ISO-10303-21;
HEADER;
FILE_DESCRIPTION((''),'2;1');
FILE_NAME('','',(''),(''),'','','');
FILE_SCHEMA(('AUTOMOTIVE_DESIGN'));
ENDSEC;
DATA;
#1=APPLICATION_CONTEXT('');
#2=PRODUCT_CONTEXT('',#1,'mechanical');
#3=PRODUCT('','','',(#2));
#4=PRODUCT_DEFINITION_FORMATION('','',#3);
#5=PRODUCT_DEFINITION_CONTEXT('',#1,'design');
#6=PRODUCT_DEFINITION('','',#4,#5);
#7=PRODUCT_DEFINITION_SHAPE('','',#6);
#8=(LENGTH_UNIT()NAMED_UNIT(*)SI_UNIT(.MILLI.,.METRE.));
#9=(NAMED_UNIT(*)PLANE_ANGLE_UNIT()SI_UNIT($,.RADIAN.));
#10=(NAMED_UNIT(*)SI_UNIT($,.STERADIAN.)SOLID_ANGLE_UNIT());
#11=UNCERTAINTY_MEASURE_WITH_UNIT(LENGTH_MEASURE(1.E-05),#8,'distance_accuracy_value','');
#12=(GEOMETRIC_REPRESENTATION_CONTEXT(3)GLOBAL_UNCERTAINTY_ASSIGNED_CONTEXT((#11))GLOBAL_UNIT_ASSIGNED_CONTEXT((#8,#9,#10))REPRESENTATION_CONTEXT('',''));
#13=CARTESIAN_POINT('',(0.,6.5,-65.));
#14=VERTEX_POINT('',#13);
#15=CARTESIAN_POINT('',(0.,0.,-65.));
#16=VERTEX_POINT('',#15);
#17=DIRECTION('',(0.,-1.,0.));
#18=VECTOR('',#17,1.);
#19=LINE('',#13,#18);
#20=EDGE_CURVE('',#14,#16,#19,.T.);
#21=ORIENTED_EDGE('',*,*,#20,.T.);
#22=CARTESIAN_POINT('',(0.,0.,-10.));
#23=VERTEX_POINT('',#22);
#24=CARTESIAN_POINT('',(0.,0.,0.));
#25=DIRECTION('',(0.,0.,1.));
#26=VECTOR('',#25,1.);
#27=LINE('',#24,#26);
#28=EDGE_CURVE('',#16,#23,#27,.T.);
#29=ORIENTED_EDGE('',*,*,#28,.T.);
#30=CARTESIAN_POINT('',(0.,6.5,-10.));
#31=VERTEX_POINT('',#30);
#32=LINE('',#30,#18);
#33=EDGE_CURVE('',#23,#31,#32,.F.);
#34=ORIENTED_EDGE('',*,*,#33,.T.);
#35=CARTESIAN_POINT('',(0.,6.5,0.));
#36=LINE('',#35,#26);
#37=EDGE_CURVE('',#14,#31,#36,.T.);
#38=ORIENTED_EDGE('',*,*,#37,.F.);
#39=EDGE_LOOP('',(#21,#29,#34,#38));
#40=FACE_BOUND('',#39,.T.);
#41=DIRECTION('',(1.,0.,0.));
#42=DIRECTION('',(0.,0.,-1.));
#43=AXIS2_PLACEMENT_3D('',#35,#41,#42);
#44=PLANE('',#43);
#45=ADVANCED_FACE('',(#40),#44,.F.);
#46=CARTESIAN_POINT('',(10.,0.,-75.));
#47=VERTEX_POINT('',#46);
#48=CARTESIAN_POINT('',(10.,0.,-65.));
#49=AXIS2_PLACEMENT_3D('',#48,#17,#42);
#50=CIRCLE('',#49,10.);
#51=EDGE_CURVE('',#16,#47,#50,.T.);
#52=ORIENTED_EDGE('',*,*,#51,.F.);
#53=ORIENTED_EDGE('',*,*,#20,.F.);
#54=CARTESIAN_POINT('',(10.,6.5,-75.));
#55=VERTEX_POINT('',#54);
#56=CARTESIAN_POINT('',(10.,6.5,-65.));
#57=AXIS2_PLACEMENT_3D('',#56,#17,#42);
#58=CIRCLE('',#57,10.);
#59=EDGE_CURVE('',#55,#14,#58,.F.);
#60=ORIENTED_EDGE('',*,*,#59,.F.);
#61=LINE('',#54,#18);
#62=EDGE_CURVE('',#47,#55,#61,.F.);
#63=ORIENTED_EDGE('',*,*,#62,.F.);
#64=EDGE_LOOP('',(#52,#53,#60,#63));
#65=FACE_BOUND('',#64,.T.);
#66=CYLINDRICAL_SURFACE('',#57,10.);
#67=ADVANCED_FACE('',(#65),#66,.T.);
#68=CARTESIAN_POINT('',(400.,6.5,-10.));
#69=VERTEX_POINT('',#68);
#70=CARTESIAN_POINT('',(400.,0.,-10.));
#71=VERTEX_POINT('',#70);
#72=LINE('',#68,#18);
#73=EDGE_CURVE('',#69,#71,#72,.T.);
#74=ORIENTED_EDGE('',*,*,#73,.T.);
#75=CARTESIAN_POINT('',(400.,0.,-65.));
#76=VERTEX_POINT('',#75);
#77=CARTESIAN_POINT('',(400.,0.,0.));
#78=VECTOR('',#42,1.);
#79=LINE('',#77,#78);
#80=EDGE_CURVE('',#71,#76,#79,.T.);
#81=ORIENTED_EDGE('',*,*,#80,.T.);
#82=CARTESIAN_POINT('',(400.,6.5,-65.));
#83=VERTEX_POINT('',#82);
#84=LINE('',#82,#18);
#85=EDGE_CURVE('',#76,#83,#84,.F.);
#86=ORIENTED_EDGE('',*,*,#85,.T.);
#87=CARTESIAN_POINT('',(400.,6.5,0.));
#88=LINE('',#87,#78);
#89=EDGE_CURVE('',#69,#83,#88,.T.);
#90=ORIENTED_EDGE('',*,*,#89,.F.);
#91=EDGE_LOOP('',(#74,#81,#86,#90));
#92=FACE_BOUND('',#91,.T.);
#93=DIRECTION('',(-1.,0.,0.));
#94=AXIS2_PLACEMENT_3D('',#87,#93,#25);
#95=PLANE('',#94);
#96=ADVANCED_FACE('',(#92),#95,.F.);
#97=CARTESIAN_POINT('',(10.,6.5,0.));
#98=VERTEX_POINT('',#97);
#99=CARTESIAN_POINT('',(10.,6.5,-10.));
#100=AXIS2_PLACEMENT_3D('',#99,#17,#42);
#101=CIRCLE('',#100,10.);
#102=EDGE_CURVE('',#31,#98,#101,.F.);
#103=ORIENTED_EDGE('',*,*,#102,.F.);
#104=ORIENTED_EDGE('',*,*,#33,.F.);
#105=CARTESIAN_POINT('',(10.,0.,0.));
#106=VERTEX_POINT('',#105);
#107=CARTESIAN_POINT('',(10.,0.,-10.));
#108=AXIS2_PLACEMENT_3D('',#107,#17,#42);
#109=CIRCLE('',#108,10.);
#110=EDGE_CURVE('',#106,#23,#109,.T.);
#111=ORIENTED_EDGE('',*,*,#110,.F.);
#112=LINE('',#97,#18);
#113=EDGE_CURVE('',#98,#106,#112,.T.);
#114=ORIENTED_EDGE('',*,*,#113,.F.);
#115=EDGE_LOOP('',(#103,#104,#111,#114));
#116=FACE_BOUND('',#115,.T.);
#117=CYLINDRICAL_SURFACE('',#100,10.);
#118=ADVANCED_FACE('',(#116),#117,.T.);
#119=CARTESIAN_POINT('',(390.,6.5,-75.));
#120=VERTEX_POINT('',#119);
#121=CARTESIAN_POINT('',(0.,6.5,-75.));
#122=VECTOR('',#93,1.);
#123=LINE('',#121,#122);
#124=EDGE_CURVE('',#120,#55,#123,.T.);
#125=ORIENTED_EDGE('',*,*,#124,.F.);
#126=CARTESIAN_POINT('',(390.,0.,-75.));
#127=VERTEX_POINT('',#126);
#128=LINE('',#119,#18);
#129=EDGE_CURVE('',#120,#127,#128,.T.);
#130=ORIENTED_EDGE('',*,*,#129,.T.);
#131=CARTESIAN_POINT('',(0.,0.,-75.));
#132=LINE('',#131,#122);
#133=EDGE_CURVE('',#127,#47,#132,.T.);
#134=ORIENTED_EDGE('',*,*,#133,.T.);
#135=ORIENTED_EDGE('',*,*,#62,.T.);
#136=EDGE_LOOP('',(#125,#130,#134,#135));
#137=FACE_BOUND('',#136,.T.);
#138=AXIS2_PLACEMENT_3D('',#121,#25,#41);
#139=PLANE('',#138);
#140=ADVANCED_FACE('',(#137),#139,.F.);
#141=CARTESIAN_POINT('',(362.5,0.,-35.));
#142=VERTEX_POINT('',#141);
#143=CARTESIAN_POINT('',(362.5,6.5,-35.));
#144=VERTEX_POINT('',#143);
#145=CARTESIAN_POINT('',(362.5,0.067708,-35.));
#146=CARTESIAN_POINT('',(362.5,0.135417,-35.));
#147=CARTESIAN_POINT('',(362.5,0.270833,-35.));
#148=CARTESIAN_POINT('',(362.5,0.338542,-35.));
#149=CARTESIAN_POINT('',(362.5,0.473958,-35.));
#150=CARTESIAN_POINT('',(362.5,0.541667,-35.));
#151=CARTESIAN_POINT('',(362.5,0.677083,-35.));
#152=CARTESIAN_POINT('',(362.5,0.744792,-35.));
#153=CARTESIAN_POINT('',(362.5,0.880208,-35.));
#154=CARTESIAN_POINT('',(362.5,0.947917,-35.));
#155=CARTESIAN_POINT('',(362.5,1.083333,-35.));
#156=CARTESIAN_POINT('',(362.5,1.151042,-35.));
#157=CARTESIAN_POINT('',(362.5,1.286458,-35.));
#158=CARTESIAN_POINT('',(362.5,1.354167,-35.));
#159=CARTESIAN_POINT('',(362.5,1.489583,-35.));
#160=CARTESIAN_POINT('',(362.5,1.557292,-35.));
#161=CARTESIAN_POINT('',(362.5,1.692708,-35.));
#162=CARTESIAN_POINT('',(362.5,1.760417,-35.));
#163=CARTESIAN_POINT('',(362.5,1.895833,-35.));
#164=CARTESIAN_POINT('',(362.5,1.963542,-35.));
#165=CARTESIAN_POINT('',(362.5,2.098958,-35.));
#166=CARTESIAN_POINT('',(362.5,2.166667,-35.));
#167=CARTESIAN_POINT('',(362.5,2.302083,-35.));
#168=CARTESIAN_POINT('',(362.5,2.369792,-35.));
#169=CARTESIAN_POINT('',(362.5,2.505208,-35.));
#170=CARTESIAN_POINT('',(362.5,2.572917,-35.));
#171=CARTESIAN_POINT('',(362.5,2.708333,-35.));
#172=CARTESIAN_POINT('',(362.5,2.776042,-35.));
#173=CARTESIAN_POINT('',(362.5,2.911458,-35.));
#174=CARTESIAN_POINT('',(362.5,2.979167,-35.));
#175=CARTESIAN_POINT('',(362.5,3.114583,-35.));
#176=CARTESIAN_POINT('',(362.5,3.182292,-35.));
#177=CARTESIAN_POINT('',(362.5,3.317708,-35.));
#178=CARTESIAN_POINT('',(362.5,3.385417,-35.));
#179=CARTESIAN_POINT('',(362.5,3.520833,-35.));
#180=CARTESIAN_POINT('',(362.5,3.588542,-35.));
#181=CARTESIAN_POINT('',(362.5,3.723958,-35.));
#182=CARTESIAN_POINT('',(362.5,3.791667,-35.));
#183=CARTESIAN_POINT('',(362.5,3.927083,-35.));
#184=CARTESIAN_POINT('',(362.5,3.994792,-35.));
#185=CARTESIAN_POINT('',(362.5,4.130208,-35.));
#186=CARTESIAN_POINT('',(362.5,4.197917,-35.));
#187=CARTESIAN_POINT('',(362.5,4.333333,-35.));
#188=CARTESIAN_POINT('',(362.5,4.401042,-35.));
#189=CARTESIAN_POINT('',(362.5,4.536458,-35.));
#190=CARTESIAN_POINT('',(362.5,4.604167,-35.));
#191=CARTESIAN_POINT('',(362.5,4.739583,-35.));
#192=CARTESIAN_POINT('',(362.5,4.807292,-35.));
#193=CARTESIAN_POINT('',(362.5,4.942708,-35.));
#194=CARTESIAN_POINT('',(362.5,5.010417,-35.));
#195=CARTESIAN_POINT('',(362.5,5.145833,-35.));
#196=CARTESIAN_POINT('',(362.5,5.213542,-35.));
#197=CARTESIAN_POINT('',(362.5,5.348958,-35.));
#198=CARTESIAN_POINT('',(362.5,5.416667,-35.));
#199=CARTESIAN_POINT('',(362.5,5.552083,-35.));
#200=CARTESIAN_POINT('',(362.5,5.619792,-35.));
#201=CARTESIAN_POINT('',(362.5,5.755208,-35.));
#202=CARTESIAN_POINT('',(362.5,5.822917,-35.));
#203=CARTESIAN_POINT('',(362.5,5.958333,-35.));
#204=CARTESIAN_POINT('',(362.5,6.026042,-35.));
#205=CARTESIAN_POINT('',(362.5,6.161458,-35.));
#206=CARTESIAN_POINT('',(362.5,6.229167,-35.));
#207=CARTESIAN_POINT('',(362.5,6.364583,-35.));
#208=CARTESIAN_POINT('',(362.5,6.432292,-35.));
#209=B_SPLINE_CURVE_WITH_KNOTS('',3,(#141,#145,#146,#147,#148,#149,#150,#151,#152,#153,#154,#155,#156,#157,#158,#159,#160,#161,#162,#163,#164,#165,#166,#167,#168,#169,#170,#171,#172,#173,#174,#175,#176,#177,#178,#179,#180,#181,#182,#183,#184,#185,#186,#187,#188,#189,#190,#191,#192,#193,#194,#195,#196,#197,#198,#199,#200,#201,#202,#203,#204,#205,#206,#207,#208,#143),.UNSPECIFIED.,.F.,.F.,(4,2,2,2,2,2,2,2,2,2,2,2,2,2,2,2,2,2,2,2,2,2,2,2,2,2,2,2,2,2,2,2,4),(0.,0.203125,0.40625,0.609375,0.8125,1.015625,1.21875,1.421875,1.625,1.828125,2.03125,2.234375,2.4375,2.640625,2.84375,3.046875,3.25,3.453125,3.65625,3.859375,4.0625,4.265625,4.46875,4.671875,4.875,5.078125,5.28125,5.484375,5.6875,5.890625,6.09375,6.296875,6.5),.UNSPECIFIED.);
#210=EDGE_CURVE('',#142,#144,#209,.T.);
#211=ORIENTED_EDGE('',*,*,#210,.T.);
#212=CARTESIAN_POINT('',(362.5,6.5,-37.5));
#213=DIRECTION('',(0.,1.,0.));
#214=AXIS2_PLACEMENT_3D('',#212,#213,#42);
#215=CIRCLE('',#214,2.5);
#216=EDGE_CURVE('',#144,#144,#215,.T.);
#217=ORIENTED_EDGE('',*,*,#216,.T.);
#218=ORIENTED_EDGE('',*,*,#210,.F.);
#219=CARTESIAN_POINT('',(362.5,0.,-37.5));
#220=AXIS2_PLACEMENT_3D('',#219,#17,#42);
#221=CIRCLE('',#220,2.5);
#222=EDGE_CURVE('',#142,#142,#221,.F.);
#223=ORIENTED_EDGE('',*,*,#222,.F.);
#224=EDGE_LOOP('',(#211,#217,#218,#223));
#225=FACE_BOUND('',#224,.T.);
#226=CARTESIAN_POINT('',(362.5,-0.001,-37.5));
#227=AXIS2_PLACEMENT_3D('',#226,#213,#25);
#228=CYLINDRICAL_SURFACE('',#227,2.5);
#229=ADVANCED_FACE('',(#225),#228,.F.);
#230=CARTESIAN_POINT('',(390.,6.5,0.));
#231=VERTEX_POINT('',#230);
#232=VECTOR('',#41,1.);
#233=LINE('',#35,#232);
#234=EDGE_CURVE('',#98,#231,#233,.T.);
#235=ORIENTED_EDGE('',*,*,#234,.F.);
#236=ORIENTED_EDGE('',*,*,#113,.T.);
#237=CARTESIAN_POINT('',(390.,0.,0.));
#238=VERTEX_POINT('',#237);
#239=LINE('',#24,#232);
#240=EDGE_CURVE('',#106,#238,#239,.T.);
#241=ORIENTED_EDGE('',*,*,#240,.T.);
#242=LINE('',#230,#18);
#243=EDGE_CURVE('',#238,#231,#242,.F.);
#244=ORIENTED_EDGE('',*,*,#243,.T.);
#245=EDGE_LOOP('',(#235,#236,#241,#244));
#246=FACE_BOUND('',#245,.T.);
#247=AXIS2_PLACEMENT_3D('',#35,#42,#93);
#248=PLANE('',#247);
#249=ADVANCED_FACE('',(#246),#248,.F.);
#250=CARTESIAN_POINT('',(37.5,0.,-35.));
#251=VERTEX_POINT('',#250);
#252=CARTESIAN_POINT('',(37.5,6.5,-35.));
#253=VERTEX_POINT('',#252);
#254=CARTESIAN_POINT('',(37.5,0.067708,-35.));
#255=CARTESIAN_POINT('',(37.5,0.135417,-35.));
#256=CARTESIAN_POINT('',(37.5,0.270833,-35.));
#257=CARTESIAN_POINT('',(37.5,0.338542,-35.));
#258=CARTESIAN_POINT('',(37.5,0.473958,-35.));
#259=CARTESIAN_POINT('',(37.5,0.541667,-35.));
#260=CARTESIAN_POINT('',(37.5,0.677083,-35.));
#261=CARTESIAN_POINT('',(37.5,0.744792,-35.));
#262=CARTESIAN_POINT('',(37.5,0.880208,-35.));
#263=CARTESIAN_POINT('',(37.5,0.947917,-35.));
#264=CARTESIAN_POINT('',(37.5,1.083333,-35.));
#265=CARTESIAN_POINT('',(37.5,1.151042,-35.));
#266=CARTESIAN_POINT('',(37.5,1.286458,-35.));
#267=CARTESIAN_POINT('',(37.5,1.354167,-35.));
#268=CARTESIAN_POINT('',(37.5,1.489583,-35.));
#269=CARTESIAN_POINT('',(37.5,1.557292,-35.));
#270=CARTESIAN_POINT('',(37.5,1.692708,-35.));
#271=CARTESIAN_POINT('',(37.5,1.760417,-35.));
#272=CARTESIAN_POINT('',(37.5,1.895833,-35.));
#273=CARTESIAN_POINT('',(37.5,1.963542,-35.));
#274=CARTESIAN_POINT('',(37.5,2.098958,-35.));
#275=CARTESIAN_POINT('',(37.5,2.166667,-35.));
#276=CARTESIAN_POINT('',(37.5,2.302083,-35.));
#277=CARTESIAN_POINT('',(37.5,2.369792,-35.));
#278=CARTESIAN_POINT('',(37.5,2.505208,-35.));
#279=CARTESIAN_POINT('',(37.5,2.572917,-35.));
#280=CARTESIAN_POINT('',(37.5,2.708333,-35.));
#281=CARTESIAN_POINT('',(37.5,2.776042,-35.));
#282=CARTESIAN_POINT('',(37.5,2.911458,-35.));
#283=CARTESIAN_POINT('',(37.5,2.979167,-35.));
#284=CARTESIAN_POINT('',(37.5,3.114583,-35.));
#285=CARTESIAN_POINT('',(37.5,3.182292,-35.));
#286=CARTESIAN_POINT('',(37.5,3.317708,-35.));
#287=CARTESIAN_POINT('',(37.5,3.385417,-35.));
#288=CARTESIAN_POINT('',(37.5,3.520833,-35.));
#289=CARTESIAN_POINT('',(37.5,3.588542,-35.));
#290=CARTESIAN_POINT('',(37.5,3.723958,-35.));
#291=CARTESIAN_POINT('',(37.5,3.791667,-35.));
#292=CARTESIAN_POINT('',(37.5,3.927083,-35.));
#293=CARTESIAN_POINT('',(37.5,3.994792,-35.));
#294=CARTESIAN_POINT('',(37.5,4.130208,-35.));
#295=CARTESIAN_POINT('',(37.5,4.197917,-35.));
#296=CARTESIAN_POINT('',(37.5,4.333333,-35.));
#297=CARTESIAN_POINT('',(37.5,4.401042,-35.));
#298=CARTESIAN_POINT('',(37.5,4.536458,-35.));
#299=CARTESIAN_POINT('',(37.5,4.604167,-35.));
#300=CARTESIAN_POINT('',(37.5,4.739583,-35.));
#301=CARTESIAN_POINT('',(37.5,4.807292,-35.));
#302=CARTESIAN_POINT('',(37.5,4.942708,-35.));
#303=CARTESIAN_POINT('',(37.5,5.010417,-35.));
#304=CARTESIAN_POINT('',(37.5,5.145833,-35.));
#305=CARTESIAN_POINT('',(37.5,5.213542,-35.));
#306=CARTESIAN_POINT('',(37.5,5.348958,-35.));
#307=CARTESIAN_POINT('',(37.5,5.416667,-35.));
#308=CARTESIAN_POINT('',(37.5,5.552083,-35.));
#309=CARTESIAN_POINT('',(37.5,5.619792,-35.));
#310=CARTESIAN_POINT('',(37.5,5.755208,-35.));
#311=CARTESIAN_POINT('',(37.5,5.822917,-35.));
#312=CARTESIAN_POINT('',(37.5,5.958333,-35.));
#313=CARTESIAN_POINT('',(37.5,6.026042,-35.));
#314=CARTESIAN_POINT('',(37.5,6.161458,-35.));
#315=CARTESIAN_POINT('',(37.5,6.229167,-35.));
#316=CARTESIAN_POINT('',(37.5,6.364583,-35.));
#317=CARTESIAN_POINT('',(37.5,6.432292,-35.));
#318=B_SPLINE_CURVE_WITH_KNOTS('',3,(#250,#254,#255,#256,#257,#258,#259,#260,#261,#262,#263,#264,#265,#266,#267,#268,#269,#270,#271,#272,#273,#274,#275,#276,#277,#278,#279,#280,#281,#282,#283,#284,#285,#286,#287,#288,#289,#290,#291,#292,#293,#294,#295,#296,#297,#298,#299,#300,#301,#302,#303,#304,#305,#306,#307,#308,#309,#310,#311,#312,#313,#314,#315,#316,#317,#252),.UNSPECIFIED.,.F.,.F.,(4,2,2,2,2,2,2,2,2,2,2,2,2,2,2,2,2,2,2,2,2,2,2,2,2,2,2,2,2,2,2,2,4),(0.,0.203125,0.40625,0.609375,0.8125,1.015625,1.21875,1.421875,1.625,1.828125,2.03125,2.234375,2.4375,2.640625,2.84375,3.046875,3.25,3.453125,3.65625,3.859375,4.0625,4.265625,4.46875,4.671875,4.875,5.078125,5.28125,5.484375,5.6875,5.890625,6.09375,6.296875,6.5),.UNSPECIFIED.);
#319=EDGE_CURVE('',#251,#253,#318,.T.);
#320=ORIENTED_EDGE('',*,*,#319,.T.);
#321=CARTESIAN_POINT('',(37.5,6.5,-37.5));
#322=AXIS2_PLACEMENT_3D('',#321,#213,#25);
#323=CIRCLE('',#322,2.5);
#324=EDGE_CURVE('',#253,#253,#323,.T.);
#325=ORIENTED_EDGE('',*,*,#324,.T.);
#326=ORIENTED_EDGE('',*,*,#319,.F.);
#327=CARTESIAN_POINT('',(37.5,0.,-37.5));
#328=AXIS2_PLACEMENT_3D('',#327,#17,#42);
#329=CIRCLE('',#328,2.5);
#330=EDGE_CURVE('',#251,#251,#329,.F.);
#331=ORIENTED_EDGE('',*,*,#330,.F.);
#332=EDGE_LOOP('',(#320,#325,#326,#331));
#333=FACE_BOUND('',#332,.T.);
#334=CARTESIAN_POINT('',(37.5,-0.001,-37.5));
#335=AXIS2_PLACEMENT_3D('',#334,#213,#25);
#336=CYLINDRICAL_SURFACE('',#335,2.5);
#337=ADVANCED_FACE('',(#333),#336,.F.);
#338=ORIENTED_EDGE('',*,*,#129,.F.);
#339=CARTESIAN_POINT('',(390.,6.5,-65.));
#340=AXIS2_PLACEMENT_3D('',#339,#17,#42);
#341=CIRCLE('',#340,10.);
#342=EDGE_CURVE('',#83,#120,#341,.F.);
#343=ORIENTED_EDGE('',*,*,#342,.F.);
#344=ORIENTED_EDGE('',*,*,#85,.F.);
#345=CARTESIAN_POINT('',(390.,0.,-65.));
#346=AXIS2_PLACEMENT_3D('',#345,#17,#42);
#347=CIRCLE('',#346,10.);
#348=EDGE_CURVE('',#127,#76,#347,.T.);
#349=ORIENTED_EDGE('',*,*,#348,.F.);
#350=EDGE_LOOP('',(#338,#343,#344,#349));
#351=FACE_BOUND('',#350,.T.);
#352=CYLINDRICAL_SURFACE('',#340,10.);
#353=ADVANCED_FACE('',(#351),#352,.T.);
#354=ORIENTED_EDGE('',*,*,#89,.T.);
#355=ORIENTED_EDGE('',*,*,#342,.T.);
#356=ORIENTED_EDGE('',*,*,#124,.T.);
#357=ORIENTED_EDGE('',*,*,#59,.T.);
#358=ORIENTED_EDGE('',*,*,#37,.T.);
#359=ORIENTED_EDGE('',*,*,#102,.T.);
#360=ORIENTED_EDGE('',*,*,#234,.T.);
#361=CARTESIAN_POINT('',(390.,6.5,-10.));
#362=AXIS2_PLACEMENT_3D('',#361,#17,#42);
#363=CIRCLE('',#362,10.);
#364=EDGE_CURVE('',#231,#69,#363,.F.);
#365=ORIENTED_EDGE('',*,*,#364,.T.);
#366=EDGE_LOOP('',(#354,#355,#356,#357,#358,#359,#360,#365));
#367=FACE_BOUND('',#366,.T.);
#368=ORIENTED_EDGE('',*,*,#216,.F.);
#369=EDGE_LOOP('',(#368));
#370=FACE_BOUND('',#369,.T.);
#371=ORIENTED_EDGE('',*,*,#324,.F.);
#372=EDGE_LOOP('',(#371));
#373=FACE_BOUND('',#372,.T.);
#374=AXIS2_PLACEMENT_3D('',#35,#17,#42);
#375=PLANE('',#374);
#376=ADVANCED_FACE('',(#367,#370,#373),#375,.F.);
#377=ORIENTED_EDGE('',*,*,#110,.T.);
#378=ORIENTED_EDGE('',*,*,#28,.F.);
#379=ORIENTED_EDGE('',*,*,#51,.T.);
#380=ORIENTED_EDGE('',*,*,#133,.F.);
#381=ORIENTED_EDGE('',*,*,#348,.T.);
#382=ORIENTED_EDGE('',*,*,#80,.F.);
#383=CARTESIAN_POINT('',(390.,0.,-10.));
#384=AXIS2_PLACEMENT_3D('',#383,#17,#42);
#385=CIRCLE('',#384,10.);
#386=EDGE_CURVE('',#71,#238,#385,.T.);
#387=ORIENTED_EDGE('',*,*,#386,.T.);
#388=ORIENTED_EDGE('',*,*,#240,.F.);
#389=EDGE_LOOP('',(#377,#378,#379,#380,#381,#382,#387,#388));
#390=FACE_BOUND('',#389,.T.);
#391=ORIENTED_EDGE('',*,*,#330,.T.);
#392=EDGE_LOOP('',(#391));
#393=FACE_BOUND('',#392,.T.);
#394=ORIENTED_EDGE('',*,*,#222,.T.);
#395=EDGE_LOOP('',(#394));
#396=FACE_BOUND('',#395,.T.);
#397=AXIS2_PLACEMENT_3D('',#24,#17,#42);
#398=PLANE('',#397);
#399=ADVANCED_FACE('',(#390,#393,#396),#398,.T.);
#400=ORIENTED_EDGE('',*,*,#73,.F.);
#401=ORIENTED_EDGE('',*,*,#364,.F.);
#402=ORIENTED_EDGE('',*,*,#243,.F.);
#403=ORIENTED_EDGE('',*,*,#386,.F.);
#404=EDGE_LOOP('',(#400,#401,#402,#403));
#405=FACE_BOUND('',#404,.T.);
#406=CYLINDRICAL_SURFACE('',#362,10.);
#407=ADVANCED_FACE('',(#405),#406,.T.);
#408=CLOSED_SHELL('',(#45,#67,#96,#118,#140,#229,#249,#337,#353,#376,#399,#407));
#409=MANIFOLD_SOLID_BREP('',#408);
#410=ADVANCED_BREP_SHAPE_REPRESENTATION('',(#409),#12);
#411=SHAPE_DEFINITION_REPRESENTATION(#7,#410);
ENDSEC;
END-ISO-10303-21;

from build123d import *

# Parameters (mm, degrees)
SKETCH1_W           = 400
SKETCH1_H           = 75
BOSS_EXTRUDE1_DEPTH = 6.5
FILLET1_R           = 10
CUT_EXTRUDE1_REACH  = 409.022
SKETCH2_R           = 2.5


with BuildPart() as part:
    # Sketch1 → Boss-Extrude1 (new body)
    with BuildSketch(Plane(origin=(0, 0, 0), x_dir=(1, 0, 0), z_dir=(0, 1, 0))):
        with Locations((200, 37.5)):
            Rectangle(SKETCH1_W, SKETCH1_H)
    extrude(amount=BOSS_EXTRUDE1_DEPTH)

    # Fillet1
    fillet1_edges = [part.edges().sort_by_distance(p)[0] for p in [
        (0, 3.25, -75),
        (400, 3.25, -75),
        (400, 3.25, 0),
        (0, 3.25, 0),
    ]]
    fillet(fillet1_edges, radius=FILLET1_R)

    # Sketch2 → Cut-Extrude1 (cut, up to next)
    with BuildSketch(Plane(origin=(0, 6.5, 0), x_dir=(1, 0, 0), z_dir=(0, 1, 0)), mode=Mode.PRIVATE) as cut_extrude1_sk1:
        with Locations(Location((37.5, 37.5, 0), (0, 0, 270))):
            Circle(SKETCH2_R)
    cut_extrude1_tool1 = extrude(cut_extrude1_sk1.sketch, amount=-CUT_EXTRUDE1_REACH, mode=Mode.PRIVATE) & part.part
    # Sketch2 → Cut-Extrude1 (cut, up to next)
    with BuildSketch(Plane(origin=(0, 6.5, 0), x_dir=(1, 0, 0), z_dir=(0, 1, 0)), mode=Mode.PRIVATE) as cut_extrude1_sk2:
        with Locations(Location((362.5, 37.5, 0), (0, 0, 270))):
            Circle(SKETCH2_R)
    cut_extrude1_tool2 = extrude(cut_extrude1_sk2.sketch, amount=-CUT_EXTRUDE1_REACH, mode=Mode.PRIVATE) & part.part
    add(cut_extrude1_tool1.solids().sort_by_distance((37.5, 6.5, -37.5))[0], mode=Mode.SUBTRACT)
    add(cut_extrude1_tool2.solids().sort_by_distance((362.5, 6.5, -37.5))[0], mode=Mode.SUBTRACT)


solid = part.part
